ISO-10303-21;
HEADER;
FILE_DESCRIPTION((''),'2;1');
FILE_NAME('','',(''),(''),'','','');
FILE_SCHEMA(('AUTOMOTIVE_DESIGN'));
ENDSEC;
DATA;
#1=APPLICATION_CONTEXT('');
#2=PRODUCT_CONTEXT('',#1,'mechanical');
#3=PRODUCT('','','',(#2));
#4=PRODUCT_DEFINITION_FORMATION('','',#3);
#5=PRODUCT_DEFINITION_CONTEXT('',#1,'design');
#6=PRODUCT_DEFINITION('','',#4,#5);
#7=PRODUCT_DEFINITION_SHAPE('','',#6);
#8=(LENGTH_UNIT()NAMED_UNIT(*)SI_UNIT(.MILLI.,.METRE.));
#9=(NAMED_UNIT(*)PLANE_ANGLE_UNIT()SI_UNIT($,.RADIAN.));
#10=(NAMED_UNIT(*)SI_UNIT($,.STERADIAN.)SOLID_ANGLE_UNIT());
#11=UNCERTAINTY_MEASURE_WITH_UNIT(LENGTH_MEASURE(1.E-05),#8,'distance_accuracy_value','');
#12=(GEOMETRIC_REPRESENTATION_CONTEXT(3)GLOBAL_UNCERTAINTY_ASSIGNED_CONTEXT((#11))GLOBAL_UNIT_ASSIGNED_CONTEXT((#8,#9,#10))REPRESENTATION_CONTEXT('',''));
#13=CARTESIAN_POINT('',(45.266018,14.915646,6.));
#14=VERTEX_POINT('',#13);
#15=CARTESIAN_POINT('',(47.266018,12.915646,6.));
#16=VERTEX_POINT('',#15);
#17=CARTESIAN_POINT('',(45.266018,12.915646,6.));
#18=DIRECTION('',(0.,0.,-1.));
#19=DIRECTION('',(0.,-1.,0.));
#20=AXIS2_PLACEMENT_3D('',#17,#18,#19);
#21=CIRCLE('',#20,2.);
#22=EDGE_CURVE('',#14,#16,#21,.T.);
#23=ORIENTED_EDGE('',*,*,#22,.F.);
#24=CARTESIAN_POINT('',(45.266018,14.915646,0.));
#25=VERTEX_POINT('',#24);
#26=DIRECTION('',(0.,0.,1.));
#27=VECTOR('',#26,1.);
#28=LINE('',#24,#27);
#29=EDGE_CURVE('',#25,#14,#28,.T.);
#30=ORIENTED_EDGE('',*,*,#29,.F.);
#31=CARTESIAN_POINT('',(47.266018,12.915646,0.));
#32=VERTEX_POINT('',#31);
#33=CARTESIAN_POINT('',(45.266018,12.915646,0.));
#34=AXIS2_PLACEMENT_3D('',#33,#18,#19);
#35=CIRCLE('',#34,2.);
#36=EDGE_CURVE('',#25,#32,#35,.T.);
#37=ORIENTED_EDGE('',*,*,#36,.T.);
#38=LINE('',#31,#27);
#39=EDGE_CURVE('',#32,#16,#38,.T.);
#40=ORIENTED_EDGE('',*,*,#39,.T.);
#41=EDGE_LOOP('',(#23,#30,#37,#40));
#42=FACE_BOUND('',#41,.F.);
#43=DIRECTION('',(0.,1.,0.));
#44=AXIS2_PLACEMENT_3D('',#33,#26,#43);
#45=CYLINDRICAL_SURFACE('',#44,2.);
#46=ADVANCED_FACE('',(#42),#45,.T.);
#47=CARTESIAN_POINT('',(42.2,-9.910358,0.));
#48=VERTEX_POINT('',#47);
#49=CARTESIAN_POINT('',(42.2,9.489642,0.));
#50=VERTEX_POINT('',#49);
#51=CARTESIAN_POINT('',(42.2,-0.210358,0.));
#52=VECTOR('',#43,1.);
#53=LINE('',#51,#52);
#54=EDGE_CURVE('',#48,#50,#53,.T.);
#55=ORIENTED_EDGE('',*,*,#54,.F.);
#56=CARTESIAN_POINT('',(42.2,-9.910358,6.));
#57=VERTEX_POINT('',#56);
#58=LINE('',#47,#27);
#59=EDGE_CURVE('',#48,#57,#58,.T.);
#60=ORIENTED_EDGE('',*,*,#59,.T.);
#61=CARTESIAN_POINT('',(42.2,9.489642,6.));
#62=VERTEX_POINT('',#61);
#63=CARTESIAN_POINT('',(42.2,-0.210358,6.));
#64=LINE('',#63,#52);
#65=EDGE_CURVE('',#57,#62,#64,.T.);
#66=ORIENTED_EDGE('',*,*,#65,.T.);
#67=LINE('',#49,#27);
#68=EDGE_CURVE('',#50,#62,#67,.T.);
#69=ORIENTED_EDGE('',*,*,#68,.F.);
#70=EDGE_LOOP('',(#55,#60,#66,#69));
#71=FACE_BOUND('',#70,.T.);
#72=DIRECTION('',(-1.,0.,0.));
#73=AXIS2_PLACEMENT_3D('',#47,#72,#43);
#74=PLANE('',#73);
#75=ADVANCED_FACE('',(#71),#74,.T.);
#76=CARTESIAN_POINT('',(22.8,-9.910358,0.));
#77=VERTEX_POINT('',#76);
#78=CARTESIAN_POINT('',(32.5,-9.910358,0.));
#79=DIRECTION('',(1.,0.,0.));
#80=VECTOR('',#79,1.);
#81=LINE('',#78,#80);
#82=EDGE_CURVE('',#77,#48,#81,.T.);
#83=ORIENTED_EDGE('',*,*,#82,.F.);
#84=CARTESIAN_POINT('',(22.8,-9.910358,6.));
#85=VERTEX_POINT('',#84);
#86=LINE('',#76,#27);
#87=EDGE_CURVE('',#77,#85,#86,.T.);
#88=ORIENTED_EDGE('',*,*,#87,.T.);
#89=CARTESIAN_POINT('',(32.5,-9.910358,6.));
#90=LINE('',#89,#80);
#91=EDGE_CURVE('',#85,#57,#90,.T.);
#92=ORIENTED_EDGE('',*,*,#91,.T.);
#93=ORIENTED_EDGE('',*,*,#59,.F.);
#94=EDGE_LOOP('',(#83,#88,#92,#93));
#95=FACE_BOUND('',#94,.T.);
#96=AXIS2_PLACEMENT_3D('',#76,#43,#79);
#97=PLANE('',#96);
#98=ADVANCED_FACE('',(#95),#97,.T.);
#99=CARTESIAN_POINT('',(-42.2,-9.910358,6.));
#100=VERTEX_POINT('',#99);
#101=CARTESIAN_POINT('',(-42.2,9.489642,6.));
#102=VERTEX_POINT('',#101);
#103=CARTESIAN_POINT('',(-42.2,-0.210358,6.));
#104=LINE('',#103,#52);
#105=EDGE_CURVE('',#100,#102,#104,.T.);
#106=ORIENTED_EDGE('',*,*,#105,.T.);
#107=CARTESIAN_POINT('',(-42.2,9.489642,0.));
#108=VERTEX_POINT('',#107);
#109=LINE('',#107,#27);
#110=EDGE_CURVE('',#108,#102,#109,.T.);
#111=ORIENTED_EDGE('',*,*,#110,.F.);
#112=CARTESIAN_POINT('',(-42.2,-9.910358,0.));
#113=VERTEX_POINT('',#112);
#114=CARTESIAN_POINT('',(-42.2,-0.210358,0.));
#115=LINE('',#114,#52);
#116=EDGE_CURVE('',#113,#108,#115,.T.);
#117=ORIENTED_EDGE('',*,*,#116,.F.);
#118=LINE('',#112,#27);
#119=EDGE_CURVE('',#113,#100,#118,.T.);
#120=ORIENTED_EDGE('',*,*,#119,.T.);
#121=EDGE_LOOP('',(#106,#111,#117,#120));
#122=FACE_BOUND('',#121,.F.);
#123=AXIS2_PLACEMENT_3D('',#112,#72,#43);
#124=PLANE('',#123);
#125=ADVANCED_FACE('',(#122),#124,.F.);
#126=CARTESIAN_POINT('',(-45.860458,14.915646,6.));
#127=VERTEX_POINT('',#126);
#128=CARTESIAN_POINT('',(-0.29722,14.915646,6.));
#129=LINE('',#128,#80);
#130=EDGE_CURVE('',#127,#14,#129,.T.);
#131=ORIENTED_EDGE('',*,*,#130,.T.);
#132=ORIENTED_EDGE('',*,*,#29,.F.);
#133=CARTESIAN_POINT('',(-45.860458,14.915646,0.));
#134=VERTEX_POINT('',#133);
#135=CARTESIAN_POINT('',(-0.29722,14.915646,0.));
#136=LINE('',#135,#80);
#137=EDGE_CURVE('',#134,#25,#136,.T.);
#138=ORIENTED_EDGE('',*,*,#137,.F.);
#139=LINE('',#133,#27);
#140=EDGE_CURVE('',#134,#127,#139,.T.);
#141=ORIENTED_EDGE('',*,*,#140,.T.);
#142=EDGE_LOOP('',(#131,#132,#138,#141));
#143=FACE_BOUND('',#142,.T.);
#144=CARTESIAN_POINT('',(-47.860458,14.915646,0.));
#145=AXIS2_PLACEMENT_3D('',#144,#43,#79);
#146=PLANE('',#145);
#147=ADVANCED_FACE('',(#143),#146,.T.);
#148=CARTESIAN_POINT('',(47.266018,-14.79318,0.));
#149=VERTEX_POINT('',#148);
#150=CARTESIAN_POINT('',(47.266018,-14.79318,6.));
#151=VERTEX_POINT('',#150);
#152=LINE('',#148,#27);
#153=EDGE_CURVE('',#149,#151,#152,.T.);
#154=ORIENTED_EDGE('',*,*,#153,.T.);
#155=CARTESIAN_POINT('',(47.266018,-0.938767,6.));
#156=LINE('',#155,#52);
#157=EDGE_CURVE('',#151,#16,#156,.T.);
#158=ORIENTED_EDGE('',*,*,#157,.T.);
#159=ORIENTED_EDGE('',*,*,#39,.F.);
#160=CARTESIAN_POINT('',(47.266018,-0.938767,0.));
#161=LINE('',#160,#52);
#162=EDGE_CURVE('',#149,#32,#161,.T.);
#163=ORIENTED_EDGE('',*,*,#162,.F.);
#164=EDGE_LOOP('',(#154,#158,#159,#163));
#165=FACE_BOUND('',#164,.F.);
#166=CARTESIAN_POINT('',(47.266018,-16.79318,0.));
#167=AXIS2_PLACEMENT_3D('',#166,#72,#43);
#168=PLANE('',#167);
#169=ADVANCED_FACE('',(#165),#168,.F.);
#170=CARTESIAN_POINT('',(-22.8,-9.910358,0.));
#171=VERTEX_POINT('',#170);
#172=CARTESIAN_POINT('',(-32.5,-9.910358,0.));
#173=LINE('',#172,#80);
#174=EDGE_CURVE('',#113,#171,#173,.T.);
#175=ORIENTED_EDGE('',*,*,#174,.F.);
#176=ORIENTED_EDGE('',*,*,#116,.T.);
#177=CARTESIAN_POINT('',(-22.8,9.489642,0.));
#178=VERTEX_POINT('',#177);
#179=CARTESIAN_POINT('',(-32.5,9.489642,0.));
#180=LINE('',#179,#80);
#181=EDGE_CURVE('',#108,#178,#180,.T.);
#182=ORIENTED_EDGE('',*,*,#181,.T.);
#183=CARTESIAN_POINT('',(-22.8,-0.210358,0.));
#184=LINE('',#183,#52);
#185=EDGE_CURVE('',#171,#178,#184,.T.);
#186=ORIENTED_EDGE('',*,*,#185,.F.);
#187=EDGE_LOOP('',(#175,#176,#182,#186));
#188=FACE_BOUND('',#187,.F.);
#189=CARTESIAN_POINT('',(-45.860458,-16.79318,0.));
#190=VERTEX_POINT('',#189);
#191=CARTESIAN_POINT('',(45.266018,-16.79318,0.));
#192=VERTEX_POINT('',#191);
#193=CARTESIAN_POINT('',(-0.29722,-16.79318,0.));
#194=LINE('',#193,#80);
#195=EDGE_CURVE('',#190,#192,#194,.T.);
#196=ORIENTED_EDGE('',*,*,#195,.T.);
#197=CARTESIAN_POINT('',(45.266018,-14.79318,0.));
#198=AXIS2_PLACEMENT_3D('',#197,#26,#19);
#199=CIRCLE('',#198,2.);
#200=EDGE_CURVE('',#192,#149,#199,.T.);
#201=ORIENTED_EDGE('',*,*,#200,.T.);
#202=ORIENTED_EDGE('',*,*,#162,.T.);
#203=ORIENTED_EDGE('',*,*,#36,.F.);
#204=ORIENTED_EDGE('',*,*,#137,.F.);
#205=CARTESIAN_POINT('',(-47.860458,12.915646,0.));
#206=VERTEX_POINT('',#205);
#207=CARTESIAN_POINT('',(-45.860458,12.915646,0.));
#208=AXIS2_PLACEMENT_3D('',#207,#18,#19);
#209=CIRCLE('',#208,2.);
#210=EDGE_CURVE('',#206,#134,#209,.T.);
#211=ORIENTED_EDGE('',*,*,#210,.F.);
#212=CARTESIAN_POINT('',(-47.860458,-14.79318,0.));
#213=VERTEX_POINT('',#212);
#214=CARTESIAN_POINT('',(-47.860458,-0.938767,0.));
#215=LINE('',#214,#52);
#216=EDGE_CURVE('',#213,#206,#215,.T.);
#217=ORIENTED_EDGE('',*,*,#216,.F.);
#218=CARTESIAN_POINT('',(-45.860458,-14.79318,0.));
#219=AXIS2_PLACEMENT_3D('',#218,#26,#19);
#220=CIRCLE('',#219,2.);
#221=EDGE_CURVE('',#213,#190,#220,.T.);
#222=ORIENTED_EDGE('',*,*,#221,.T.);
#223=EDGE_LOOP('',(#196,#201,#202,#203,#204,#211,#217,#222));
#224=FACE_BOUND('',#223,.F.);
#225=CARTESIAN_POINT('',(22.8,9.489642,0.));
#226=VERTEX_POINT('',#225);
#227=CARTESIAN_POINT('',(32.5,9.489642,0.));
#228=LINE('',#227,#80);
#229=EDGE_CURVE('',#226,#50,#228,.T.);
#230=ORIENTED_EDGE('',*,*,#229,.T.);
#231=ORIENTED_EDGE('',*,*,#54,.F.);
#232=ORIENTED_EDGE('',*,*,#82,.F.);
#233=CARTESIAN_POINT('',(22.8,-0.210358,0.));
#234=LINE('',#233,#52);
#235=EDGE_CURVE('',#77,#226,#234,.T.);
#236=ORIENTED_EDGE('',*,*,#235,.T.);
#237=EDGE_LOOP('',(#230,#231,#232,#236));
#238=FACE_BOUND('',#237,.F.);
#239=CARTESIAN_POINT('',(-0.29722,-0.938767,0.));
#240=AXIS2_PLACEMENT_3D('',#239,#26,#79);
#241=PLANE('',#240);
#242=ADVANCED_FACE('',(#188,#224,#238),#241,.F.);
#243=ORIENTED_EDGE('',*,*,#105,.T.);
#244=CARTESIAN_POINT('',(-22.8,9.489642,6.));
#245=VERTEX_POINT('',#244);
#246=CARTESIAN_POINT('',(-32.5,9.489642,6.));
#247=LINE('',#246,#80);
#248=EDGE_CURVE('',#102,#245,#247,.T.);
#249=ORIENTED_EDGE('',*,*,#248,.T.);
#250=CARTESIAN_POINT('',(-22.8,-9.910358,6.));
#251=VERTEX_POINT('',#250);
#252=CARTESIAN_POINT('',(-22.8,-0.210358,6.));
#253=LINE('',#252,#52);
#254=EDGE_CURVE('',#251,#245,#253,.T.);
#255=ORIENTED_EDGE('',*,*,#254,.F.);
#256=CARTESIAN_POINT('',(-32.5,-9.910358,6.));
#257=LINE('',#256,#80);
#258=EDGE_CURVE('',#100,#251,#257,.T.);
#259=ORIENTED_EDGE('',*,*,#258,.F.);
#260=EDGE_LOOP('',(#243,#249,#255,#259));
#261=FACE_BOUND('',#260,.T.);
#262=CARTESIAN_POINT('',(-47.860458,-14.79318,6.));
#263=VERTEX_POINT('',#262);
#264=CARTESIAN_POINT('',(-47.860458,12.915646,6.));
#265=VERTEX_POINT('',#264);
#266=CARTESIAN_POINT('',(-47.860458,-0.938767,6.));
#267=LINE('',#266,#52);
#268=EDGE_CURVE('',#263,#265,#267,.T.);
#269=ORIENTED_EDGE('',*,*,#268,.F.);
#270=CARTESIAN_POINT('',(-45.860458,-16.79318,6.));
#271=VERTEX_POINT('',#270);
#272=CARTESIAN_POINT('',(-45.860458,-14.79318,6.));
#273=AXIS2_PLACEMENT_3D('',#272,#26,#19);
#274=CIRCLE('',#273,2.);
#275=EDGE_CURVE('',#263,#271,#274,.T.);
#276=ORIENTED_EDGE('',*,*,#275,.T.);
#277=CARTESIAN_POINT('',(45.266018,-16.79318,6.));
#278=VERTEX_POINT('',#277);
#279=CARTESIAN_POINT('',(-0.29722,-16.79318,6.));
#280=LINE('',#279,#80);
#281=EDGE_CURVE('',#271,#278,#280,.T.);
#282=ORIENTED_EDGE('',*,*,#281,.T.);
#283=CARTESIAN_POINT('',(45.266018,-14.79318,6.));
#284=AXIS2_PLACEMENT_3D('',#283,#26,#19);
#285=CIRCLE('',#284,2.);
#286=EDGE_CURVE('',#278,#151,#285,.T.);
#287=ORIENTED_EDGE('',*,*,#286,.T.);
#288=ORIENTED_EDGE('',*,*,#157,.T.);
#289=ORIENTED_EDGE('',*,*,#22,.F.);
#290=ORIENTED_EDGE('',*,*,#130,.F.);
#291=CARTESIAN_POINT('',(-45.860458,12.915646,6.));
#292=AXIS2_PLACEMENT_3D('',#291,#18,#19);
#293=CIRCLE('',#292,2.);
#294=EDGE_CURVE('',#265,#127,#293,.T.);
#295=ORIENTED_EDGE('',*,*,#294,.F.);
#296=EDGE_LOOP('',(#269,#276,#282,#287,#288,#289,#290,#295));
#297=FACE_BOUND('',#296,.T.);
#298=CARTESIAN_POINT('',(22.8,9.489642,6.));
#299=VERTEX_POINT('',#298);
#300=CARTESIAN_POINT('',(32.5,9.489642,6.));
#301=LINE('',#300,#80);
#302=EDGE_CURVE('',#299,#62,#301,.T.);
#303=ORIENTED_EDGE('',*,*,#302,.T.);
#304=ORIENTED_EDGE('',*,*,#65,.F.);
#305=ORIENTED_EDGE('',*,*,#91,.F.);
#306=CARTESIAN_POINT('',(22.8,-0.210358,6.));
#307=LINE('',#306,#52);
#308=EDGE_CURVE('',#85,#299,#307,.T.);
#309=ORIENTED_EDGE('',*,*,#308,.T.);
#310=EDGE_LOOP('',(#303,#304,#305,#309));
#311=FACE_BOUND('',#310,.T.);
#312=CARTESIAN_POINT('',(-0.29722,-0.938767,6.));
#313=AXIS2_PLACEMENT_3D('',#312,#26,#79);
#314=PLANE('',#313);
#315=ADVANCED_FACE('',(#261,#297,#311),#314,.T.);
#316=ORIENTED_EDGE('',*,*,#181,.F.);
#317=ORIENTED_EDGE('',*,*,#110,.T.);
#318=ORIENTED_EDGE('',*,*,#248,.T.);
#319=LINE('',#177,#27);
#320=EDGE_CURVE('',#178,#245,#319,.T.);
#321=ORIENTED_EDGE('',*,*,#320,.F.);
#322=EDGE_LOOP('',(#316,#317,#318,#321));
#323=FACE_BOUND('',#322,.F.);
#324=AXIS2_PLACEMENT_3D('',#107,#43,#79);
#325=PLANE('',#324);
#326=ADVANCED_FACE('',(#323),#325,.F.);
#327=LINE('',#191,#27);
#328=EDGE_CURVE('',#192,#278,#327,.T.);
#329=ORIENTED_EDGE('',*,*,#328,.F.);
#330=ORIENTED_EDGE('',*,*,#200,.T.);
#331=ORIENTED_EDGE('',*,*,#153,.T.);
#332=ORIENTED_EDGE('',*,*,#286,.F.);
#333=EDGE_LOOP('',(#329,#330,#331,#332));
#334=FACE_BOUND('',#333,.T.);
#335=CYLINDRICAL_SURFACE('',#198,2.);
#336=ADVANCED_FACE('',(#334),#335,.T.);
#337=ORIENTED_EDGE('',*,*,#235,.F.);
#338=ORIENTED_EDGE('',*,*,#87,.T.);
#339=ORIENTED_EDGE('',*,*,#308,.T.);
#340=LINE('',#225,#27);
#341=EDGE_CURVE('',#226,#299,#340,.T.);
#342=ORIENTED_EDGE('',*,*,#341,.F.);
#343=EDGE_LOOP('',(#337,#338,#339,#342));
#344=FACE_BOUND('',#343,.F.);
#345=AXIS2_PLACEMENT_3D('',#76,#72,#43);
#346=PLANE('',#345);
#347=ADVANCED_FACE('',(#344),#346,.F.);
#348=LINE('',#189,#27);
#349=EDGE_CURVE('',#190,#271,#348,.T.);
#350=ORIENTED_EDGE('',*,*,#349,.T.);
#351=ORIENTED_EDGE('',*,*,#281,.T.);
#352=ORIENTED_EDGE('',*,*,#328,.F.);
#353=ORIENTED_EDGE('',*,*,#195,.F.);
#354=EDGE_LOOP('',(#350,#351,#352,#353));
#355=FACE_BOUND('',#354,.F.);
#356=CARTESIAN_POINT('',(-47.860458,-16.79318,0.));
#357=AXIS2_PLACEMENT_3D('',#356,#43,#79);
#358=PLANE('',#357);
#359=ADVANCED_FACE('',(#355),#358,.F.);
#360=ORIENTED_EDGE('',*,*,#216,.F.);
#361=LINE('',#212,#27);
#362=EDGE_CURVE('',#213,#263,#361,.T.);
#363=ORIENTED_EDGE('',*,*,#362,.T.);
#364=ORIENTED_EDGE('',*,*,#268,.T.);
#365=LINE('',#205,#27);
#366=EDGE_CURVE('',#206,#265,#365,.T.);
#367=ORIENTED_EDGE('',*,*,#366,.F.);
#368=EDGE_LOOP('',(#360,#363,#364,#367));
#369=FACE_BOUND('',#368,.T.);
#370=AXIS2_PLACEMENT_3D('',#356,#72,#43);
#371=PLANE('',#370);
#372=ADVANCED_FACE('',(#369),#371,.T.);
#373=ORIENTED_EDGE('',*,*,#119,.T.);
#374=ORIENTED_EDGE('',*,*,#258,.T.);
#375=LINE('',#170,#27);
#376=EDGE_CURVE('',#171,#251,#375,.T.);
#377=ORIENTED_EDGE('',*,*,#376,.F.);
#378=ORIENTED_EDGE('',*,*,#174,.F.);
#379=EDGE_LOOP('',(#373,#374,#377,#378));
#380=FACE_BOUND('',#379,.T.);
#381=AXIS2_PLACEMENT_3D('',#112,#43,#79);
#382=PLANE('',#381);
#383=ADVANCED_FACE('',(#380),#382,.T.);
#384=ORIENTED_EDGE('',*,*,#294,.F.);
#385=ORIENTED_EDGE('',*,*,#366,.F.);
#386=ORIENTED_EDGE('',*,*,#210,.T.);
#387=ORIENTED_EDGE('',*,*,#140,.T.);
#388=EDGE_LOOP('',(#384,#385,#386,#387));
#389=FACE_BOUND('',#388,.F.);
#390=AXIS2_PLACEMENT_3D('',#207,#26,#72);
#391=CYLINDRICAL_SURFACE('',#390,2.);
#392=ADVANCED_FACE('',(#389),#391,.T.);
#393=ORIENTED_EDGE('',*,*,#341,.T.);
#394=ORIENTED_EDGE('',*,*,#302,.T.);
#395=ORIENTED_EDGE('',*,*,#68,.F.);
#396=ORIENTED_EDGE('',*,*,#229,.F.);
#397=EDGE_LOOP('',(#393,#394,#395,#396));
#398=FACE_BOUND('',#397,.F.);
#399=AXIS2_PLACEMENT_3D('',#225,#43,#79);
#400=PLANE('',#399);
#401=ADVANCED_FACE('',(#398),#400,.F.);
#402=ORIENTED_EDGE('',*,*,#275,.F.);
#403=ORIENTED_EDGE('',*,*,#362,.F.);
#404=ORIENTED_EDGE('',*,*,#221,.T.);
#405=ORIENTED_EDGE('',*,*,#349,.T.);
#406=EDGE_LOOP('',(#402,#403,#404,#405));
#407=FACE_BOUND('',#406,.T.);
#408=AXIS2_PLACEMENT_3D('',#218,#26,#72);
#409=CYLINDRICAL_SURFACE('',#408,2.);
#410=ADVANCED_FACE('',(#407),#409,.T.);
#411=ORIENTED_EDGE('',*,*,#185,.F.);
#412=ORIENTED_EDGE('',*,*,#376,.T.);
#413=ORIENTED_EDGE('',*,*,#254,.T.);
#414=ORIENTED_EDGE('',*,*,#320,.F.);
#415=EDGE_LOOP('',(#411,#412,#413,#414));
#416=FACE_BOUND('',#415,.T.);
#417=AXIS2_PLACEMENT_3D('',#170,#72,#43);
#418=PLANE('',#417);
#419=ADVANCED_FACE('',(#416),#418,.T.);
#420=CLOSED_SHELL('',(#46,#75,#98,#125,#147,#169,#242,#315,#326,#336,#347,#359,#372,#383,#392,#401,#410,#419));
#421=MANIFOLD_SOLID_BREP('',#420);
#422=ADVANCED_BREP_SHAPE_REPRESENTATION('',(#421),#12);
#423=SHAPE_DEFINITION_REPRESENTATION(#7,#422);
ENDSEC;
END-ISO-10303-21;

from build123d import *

# Parameters (mm, degrees)
SKETCH_W   = 95.126476
SKETCH_H   = 31.708825
SKETCH_W_2 = 19.4
SKETCH_H_2 = 19.4
PAD_DEPTH  = 6
FILLET_R   = 2


with BuildPart() as part:
    # Sketch → Pad (new body)
    with BuildSketch(Plane.XY):
        with Locations((-0.29722, -0.938767)):
            Rectangle(SKETCH_W, SKETCH_H)
        with Locations((-32.5, -0.210358)):
            Rectangle(SKETCH_W_2, SKETCH_H_2, mode=Mode.SUBTRACT)
        with Locations((32.5, -0.210358)):
            Rectangle(SKETCH_W_2, SKETCH_H_2, mode=Mode.SUBTRACT)
    extrude(amount=PAD_DEPTH)

    # Fillet
    fillet_edges = [part.edges().sort_by_distance(p)[0] for p in [
        (47.266018, 14.915645, 3),
        (47.266018, -16.79318, 3),
        (-47.860458, 14.915645, 3),
        (-47.860458, -16.79318, 3),
    ]]
    fillet(fillet_edges, radius=FILLET_R)


solid = part.part
